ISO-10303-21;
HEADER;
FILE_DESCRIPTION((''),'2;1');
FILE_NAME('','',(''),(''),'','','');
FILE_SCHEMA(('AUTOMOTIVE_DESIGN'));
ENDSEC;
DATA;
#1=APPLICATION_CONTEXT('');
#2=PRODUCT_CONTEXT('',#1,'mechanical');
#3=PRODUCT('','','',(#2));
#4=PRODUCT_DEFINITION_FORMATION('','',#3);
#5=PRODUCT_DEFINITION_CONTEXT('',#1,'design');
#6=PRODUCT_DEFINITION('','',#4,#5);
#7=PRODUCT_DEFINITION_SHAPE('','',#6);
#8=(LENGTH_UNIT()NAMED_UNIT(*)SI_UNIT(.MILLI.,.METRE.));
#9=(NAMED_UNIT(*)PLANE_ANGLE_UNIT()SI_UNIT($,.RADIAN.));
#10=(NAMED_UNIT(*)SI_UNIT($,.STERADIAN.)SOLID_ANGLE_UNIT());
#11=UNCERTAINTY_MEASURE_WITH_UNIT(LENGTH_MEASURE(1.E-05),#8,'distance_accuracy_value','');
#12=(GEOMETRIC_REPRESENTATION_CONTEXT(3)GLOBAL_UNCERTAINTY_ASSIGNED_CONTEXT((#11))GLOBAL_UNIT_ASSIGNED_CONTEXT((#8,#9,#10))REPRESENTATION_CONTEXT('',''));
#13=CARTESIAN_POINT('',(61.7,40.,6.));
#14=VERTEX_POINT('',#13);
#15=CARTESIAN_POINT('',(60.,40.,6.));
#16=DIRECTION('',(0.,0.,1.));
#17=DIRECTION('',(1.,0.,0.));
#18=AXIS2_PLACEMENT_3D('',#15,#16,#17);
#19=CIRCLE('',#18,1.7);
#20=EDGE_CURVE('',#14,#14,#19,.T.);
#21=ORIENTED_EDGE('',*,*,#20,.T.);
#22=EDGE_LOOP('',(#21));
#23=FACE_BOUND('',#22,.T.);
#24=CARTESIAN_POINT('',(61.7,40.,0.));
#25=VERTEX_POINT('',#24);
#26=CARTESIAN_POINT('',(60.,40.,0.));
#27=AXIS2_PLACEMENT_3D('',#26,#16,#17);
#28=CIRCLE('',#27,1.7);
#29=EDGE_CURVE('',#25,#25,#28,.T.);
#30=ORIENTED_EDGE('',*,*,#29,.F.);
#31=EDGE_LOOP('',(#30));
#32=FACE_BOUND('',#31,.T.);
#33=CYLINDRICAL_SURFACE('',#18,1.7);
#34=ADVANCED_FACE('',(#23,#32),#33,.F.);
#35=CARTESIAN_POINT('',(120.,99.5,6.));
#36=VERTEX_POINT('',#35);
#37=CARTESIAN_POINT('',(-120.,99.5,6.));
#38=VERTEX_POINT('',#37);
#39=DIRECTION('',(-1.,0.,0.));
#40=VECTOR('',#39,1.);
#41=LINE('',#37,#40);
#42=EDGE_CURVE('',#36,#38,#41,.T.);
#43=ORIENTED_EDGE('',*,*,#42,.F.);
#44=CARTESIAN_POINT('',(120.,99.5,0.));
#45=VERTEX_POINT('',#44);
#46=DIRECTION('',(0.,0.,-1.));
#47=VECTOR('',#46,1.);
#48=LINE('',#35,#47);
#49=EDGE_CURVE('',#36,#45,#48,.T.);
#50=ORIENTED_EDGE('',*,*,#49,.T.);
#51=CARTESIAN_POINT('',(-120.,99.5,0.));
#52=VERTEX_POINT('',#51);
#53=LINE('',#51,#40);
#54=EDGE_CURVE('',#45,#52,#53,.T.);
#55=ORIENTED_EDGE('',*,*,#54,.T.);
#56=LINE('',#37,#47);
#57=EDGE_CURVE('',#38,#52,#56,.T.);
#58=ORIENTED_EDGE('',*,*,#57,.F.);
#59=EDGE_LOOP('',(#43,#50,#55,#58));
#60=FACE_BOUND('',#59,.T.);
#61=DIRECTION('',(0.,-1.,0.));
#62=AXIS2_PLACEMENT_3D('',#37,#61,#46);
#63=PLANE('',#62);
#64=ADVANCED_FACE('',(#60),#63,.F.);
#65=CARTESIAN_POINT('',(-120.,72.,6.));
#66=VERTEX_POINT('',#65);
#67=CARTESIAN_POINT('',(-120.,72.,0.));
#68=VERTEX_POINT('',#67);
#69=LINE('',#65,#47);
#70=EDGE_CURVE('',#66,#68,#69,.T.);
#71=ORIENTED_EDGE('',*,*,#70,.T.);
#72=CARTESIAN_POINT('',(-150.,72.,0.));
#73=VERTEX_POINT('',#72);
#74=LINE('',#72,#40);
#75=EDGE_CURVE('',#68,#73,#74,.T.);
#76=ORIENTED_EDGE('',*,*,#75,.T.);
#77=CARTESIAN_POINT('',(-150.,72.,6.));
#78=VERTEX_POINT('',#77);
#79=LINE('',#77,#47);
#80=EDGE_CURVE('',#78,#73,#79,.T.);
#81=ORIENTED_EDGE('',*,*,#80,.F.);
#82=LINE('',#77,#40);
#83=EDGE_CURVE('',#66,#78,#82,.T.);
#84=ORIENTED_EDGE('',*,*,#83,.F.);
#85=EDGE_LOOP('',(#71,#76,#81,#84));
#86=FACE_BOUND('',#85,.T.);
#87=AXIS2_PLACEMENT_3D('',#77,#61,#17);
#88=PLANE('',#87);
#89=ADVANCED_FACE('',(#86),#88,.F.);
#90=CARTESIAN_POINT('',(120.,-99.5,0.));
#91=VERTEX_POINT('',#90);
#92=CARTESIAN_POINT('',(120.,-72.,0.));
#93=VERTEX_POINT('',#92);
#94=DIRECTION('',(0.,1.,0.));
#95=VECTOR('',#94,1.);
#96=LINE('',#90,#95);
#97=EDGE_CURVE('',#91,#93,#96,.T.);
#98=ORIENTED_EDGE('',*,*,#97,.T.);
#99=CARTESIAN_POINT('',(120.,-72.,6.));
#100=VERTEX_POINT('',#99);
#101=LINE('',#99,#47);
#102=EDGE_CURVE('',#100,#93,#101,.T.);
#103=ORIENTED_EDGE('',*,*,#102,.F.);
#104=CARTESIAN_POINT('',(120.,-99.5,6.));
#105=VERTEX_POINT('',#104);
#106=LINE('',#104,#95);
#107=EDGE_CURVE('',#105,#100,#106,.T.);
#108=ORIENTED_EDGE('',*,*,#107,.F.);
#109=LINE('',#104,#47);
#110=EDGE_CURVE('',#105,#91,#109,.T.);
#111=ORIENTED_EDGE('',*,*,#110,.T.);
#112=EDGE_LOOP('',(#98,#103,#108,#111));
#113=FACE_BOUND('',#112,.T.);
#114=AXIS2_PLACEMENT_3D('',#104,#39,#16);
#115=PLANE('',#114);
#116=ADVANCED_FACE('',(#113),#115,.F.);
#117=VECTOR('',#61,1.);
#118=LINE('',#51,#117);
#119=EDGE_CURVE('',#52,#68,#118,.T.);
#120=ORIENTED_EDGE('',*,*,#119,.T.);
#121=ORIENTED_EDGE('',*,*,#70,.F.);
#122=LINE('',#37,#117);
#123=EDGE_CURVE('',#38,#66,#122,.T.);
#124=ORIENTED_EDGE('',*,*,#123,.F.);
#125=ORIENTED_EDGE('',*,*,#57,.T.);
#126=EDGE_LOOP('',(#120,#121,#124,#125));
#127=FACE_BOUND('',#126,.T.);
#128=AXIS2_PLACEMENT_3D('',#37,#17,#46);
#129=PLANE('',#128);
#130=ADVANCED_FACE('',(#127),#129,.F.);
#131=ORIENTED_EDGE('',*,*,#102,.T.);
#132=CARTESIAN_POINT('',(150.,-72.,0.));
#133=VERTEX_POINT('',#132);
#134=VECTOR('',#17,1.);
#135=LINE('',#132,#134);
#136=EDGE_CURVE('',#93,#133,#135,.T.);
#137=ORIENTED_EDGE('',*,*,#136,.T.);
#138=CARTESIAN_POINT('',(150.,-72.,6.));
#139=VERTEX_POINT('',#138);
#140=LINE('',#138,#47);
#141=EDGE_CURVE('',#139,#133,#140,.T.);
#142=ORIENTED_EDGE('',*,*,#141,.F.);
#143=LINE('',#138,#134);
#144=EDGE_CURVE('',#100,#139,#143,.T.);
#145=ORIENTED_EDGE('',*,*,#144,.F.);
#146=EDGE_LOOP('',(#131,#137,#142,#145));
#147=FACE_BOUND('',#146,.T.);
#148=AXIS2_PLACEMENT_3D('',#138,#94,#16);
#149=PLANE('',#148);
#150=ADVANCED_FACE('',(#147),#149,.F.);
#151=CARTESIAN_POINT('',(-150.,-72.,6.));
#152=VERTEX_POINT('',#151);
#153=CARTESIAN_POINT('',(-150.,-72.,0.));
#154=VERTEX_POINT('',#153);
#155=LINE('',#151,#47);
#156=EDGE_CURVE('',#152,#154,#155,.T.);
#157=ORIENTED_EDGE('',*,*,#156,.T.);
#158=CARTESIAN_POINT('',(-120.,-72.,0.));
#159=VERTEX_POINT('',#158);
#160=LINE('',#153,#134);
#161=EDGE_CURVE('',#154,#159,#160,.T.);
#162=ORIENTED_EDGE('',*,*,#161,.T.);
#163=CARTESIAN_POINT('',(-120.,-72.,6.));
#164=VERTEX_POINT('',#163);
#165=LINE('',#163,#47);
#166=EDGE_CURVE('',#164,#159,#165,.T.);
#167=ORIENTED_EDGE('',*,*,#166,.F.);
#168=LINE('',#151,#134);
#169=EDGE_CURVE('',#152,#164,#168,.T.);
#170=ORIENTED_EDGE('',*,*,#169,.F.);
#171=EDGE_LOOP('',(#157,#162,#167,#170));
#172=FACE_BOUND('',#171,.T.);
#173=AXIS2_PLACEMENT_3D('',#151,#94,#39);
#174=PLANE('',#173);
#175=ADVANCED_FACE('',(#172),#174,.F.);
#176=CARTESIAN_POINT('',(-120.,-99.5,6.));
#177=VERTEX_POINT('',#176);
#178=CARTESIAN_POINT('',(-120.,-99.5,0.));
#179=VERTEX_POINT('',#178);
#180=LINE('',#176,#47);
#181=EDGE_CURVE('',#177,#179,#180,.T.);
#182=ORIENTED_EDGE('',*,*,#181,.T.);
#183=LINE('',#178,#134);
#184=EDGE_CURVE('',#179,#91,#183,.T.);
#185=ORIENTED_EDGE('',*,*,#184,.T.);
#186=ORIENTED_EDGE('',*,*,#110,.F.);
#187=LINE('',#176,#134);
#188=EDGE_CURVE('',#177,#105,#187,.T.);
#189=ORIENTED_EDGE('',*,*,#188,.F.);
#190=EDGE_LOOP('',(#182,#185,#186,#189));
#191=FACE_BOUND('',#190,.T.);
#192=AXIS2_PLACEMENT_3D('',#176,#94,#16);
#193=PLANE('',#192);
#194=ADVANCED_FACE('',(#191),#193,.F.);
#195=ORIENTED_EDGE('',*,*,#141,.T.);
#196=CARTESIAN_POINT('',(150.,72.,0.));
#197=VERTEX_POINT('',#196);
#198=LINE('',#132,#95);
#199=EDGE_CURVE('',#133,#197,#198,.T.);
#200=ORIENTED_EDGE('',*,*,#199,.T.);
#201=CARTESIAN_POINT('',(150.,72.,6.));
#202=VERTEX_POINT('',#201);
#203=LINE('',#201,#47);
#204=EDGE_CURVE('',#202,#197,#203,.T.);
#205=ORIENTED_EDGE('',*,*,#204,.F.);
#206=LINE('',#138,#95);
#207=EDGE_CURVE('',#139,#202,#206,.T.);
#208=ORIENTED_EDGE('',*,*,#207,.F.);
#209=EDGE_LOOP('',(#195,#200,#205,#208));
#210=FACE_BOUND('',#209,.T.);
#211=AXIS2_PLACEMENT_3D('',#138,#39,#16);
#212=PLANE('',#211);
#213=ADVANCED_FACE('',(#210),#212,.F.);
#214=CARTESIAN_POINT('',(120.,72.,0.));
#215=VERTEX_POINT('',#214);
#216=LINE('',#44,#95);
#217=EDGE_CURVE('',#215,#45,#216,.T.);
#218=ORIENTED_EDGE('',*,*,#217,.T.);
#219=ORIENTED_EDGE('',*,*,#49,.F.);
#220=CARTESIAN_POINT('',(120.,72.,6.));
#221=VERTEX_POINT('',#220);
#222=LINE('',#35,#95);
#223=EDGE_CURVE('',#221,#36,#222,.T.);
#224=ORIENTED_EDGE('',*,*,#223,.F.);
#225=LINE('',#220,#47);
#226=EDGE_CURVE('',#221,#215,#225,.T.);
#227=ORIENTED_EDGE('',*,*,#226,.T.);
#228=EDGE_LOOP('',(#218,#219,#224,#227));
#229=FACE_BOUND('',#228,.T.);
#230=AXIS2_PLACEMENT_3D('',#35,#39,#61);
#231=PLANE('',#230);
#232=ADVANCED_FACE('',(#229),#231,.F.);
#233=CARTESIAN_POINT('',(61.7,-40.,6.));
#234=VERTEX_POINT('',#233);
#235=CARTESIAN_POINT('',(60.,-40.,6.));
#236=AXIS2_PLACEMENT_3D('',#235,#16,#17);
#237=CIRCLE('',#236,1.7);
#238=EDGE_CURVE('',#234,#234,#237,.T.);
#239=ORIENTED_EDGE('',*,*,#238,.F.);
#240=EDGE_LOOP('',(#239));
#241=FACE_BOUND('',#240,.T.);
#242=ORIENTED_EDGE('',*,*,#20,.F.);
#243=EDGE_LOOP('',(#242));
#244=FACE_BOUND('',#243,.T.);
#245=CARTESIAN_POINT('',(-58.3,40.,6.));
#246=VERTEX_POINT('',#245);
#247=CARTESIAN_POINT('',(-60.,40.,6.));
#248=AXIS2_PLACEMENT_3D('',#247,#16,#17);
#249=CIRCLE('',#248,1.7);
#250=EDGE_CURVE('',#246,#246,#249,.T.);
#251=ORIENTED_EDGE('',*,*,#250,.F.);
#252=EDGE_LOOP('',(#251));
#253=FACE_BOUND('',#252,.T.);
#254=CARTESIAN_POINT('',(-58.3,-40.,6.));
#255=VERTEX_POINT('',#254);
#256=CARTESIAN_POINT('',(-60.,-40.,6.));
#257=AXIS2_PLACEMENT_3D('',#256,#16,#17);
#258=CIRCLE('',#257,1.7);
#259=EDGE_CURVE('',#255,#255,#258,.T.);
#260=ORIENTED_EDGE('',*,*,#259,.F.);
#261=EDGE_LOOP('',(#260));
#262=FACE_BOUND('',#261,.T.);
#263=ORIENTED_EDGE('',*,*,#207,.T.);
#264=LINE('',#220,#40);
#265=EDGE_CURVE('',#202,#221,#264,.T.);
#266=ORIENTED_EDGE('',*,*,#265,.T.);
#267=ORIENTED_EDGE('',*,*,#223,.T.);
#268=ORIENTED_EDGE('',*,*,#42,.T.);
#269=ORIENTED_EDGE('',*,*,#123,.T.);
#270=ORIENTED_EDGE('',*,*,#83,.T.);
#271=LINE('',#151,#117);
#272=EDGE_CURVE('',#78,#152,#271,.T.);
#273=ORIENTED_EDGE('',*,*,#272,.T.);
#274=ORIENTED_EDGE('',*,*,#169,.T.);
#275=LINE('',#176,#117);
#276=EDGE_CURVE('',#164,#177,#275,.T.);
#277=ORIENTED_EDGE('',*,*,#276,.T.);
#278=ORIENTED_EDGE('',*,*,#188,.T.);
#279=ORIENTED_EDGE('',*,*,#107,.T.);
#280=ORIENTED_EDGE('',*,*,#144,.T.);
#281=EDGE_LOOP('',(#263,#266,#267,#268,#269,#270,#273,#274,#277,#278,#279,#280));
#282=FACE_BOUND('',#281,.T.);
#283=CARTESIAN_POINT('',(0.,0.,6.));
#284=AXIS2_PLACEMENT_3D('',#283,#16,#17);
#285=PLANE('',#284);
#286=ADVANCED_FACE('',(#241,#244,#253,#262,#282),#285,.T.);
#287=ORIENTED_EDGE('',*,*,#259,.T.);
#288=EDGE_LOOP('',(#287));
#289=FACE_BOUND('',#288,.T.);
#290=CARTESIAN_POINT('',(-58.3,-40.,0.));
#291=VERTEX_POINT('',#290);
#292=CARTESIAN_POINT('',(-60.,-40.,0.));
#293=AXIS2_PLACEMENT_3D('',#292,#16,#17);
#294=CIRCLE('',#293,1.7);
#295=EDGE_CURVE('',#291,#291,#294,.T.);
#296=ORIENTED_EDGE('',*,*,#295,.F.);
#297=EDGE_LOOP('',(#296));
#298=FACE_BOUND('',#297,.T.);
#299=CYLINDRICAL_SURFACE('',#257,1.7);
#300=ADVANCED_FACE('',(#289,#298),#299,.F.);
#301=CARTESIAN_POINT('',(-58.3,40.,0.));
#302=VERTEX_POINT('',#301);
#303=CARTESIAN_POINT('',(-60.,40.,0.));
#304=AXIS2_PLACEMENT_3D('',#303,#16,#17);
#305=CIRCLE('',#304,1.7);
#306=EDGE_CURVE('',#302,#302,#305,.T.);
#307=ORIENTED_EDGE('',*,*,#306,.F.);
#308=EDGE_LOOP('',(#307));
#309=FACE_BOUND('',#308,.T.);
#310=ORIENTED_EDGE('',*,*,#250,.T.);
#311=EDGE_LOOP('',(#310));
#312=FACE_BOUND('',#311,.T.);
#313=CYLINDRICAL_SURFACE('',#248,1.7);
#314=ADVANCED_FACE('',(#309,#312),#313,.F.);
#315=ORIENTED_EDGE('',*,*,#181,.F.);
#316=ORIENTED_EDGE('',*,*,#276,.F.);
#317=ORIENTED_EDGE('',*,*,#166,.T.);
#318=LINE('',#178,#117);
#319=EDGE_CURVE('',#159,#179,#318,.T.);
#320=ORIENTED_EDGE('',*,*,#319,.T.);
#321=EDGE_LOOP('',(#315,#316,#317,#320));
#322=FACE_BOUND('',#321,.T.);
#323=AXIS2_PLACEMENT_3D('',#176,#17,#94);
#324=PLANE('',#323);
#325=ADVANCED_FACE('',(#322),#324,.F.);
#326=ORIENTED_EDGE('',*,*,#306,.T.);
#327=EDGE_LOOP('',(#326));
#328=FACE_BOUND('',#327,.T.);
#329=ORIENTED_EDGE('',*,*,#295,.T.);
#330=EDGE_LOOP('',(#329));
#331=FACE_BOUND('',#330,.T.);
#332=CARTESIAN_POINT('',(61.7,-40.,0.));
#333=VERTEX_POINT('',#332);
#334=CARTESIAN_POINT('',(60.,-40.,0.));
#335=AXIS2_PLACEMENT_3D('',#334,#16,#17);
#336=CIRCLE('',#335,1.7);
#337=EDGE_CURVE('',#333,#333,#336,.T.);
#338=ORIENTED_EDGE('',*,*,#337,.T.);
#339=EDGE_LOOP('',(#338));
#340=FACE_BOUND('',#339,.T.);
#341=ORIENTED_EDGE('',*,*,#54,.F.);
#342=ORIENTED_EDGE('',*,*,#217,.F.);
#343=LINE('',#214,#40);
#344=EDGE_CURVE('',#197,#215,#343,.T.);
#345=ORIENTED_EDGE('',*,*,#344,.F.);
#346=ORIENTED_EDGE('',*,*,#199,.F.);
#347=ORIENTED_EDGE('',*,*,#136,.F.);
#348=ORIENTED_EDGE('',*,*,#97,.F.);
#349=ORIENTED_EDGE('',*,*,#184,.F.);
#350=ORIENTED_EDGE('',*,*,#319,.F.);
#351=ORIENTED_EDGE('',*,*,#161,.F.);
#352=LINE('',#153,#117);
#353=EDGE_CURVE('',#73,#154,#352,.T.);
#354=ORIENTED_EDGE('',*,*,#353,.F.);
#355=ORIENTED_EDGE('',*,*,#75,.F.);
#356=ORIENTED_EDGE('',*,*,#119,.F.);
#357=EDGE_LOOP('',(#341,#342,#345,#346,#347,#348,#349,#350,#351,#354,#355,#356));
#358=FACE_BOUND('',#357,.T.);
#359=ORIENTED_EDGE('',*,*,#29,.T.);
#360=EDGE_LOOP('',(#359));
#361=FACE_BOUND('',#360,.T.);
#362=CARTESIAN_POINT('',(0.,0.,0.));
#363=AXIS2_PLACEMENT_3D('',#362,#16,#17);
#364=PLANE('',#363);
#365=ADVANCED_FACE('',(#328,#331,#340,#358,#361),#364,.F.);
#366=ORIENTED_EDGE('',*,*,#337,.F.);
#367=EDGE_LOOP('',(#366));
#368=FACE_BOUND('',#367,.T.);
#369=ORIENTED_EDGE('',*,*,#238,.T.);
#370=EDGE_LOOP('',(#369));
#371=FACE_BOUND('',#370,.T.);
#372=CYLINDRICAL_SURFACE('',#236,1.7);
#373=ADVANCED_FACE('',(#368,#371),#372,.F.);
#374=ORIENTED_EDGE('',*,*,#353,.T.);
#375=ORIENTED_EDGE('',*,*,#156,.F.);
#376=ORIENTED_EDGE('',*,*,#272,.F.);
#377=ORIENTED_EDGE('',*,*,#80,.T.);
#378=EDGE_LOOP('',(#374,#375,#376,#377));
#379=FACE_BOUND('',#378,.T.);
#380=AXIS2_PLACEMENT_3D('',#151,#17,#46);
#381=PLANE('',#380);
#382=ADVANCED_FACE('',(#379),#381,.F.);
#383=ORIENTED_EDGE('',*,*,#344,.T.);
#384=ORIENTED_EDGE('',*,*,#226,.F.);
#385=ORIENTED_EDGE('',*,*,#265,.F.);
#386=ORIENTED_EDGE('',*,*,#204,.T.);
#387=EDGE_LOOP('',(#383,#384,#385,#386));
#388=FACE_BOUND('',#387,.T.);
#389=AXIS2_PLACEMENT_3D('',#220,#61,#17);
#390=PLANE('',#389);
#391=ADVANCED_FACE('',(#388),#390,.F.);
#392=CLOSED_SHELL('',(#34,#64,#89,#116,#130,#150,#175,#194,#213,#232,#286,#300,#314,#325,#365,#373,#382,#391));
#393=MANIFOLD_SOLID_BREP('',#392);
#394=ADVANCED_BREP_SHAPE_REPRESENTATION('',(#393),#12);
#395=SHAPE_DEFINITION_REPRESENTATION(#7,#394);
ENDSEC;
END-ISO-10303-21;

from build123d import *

# Parameters (mm, degrees)
BOSS_EXTRUDE1_DEPTH  = 6
M3_CLEARANCE_HOLE1_D = 3.4


with BuildPart() as part:
    # Sketch1 → Boss-Extrude1 (new body)
    with BuildSketch(Plane.XY):
        Polygon((120, 72), (150, 72), (150, -72), (120, -72), (120, -99.5), (-120, -99.5), (-120, -72), (-150, -72), (-150, 72), (-120, 72), (-120, 99.5), (120, 99.5), align=None)
    extrude(amount=BOSS_EXTRUDE1_DEPTH)

    # M3 Clearance Hole1 (through all)
    with Locations(Plane(origin=(-60, 40, 6), x_dir=(1, 0, 0), z_dir=(0, 0, 1))):
        with Locations((0, 0), (0, -80), (120, -80), (120, 0)):
            Hole(M3_CLEARANCE_HOLE1_D / 2)


solid = part.part
